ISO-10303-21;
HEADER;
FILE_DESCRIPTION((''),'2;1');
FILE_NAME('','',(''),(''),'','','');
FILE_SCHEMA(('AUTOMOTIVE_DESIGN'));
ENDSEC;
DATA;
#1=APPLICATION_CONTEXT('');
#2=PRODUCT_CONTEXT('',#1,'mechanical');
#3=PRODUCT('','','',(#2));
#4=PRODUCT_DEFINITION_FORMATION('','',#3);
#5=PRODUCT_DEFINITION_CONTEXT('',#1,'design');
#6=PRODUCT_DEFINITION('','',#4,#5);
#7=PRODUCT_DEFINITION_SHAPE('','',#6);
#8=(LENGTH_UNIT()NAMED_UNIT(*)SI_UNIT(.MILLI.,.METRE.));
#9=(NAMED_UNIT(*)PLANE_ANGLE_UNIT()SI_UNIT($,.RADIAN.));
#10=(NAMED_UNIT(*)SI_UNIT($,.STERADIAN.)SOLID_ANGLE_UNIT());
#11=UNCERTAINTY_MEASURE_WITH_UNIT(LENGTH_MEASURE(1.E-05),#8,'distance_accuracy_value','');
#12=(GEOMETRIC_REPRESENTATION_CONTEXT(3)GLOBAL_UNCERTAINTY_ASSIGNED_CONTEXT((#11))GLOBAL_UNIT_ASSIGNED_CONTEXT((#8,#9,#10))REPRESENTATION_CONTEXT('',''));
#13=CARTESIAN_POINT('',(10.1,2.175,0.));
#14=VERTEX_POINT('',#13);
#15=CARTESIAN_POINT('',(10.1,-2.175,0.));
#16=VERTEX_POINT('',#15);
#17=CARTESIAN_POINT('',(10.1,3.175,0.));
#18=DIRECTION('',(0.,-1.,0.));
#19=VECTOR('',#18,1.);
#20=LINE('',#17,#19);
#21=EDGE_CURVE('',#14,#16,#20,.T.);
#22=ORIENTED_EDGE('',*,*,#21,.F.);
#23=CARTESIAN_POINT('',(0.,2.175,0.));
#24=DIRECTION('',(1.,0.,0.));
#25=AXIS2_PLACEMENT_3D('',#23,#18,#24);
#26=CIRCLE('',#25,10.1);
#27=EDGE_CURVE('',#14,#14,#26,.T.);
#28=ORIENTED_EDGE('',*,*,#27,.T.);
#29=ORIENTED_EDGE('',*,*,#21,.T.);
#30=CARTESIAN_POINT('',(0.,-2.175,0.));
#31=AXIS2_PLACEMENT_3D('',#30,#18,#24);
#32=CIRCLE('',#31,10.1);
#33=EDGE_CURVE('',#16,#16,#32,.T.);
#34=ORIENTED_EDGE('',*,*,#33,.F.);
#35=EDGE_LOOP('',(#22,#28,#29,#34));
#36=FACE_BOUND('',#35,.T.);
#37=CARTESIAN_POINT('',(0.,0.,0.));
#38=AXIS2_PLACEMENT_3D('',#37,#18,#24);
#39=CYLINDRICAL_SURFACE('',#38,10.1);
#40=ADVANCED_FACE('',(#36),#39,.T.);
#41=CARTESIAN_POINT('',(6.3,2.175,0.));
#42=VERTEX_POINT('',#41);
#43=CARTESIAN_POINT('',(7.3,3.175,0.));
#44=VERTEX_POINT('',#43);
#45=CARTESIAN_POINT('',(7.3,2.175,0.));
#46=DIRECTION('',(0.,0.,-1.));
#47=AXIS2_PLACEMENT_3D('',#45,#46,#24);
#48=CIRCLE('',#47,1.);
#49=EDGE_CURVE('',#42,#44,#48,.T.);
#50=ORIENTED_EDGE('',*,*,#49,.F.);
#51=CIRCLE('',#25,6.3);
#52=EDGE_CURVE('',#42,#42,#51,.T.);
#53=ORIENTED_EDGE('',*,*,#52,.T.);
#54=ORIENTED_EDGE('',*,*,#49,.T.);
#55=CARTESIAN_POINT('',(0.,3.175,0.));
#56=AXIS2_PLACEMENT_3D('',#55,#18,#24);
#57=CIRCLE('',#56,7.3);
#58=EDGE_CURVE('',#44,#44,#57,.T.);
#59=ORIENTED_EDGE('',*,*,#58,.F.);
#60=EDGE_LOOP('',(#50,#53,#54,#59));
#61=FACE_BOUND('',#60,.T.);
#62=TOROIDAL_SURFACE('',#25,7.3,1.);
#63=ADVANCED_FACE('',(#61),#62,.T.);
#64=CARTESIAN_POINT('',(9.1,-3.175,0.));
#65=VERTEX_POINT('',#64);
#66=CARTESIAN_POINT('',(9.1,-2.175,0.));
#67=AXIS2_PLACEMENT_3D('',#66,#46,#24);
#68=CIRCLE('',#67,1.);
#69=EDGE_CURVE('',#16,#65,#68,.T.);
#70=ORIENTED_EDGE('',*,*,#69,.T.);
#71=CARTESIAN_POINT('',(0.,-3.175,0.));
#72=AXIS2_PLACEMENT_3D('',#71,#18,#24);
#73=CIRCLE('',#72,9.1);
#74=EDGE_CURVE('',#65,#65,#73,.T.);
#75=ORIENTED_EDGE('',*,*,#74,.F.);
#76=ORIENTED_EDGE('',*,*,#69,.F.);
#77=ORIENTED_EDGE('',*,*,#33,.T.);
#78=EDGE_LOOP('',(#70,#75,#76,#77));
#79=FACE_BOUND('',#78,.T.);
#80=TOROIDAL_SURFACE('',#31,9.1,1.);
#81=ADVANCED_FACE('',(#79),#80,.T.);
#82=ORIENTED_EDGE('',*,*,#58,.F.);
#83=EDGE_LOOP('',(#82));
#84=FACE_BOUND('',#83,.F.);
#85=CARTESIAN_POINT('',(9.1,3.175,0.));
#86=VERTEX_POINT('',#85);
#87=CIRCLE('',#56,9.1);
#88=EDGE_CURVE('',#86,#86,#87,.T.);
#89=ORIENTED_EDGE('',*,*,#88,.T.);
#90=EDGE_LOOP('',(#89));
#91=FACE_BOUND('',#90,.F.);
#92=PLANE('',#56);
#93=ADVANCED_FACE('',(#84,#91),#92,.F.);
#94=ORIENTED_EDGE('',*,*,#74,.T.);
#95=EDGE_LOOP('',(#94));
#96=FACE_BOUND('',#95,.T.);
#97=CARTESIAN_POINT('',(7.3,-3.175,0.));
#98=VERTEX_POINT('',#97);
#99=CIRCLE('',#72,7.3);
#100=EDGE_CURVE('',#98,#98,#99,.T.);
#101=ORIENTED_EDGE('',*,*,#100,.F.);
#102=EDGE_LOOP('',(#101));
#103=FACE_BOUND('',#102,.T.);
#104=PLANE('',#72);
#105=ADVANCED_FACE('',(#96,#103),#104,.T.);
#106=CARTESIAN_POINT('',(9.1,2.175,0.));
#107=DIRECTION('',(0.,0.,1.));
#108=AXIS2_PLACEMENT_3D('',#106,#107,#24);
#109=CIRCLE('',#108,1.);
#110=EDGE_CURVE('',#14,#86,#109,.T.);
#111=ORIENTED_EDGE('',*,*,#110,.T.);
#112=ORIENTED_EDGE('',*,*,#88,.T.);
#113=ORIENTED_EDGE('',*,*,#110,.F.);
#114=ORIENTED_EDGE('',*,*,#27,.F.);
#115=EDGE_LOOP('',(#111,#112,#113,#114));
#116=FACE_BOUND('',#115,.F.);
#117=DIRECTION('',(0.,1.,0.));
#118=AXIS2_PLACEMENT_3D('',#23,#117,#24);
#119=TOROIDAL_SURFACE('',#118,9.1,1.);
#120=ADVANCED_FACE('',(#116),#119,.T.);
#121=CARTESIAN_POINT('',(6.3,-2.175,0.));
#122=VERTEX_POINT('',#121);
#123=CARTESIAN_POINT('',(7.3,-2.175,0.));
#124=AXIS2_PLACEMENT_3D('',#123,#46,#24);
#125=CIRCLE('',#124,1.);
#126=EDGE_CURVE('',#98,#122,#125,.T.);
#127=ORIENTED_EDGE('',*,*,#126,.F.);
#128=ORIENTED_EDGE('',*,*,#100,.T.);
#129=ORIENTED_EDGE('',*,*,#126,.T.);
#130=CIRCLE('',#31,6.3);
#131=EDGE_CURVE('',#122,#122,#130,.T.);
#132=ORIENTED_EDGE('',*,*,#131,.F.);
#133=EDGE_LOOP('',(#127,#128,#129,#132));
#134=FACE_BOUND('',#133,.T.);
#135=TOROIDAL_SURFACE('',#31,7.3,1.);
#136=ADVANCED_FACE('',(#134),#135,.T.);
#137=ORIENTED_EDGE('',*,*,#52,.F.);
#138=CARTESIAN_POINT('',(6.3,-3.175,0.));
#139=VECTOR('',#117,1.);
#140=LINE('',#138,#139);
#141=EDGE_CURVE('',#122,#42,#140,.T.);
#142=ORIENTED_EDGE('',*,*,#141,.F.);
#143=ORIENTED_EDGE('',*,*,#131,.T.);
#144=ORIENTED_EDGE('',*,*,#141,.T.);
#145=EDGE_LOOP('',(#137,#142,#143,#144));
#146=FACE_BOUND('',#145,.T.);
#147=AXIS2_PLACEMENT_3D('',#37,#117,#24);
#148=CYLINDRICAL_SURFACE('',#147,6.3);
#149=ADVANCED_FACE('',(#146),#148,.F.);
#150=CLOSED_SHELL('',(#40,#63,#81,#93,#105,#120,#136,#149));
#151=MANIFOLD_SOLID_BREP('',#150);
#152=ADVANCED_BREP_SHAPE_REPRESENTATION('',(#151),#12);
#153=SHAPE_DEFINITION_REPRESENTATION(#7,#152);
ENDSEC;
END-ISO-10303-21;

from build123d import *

# Parameters (mm, degrees)
F0_R     = 10.1
F0_R_2   = 6.3
F1_DEPTH = 3.175
F2_R     = 1


with BuildPart() as f1:
    # F0 (on Front) → F1 (new body, symmetric)
    with BuildSketch(Plane.XZ):
        Circle(F0_R)
        Circle(F0_R_2, mode=Mode.SUBTRACT)
    extrude(amount=F1_DEPTH, both=True)

    # F2
    f2_edges = [f1.edges().sort_by_distance(p)[0] for p in [
        (-6.3, -3.175, 0),
        (-10.1, -3.175, 0),
        (-6.3, 3.175, 0),
        (-10.1, 3.175, 0),
    ]]
    fillet(f2_edges, radius=F2_R)


solid = f1.part
